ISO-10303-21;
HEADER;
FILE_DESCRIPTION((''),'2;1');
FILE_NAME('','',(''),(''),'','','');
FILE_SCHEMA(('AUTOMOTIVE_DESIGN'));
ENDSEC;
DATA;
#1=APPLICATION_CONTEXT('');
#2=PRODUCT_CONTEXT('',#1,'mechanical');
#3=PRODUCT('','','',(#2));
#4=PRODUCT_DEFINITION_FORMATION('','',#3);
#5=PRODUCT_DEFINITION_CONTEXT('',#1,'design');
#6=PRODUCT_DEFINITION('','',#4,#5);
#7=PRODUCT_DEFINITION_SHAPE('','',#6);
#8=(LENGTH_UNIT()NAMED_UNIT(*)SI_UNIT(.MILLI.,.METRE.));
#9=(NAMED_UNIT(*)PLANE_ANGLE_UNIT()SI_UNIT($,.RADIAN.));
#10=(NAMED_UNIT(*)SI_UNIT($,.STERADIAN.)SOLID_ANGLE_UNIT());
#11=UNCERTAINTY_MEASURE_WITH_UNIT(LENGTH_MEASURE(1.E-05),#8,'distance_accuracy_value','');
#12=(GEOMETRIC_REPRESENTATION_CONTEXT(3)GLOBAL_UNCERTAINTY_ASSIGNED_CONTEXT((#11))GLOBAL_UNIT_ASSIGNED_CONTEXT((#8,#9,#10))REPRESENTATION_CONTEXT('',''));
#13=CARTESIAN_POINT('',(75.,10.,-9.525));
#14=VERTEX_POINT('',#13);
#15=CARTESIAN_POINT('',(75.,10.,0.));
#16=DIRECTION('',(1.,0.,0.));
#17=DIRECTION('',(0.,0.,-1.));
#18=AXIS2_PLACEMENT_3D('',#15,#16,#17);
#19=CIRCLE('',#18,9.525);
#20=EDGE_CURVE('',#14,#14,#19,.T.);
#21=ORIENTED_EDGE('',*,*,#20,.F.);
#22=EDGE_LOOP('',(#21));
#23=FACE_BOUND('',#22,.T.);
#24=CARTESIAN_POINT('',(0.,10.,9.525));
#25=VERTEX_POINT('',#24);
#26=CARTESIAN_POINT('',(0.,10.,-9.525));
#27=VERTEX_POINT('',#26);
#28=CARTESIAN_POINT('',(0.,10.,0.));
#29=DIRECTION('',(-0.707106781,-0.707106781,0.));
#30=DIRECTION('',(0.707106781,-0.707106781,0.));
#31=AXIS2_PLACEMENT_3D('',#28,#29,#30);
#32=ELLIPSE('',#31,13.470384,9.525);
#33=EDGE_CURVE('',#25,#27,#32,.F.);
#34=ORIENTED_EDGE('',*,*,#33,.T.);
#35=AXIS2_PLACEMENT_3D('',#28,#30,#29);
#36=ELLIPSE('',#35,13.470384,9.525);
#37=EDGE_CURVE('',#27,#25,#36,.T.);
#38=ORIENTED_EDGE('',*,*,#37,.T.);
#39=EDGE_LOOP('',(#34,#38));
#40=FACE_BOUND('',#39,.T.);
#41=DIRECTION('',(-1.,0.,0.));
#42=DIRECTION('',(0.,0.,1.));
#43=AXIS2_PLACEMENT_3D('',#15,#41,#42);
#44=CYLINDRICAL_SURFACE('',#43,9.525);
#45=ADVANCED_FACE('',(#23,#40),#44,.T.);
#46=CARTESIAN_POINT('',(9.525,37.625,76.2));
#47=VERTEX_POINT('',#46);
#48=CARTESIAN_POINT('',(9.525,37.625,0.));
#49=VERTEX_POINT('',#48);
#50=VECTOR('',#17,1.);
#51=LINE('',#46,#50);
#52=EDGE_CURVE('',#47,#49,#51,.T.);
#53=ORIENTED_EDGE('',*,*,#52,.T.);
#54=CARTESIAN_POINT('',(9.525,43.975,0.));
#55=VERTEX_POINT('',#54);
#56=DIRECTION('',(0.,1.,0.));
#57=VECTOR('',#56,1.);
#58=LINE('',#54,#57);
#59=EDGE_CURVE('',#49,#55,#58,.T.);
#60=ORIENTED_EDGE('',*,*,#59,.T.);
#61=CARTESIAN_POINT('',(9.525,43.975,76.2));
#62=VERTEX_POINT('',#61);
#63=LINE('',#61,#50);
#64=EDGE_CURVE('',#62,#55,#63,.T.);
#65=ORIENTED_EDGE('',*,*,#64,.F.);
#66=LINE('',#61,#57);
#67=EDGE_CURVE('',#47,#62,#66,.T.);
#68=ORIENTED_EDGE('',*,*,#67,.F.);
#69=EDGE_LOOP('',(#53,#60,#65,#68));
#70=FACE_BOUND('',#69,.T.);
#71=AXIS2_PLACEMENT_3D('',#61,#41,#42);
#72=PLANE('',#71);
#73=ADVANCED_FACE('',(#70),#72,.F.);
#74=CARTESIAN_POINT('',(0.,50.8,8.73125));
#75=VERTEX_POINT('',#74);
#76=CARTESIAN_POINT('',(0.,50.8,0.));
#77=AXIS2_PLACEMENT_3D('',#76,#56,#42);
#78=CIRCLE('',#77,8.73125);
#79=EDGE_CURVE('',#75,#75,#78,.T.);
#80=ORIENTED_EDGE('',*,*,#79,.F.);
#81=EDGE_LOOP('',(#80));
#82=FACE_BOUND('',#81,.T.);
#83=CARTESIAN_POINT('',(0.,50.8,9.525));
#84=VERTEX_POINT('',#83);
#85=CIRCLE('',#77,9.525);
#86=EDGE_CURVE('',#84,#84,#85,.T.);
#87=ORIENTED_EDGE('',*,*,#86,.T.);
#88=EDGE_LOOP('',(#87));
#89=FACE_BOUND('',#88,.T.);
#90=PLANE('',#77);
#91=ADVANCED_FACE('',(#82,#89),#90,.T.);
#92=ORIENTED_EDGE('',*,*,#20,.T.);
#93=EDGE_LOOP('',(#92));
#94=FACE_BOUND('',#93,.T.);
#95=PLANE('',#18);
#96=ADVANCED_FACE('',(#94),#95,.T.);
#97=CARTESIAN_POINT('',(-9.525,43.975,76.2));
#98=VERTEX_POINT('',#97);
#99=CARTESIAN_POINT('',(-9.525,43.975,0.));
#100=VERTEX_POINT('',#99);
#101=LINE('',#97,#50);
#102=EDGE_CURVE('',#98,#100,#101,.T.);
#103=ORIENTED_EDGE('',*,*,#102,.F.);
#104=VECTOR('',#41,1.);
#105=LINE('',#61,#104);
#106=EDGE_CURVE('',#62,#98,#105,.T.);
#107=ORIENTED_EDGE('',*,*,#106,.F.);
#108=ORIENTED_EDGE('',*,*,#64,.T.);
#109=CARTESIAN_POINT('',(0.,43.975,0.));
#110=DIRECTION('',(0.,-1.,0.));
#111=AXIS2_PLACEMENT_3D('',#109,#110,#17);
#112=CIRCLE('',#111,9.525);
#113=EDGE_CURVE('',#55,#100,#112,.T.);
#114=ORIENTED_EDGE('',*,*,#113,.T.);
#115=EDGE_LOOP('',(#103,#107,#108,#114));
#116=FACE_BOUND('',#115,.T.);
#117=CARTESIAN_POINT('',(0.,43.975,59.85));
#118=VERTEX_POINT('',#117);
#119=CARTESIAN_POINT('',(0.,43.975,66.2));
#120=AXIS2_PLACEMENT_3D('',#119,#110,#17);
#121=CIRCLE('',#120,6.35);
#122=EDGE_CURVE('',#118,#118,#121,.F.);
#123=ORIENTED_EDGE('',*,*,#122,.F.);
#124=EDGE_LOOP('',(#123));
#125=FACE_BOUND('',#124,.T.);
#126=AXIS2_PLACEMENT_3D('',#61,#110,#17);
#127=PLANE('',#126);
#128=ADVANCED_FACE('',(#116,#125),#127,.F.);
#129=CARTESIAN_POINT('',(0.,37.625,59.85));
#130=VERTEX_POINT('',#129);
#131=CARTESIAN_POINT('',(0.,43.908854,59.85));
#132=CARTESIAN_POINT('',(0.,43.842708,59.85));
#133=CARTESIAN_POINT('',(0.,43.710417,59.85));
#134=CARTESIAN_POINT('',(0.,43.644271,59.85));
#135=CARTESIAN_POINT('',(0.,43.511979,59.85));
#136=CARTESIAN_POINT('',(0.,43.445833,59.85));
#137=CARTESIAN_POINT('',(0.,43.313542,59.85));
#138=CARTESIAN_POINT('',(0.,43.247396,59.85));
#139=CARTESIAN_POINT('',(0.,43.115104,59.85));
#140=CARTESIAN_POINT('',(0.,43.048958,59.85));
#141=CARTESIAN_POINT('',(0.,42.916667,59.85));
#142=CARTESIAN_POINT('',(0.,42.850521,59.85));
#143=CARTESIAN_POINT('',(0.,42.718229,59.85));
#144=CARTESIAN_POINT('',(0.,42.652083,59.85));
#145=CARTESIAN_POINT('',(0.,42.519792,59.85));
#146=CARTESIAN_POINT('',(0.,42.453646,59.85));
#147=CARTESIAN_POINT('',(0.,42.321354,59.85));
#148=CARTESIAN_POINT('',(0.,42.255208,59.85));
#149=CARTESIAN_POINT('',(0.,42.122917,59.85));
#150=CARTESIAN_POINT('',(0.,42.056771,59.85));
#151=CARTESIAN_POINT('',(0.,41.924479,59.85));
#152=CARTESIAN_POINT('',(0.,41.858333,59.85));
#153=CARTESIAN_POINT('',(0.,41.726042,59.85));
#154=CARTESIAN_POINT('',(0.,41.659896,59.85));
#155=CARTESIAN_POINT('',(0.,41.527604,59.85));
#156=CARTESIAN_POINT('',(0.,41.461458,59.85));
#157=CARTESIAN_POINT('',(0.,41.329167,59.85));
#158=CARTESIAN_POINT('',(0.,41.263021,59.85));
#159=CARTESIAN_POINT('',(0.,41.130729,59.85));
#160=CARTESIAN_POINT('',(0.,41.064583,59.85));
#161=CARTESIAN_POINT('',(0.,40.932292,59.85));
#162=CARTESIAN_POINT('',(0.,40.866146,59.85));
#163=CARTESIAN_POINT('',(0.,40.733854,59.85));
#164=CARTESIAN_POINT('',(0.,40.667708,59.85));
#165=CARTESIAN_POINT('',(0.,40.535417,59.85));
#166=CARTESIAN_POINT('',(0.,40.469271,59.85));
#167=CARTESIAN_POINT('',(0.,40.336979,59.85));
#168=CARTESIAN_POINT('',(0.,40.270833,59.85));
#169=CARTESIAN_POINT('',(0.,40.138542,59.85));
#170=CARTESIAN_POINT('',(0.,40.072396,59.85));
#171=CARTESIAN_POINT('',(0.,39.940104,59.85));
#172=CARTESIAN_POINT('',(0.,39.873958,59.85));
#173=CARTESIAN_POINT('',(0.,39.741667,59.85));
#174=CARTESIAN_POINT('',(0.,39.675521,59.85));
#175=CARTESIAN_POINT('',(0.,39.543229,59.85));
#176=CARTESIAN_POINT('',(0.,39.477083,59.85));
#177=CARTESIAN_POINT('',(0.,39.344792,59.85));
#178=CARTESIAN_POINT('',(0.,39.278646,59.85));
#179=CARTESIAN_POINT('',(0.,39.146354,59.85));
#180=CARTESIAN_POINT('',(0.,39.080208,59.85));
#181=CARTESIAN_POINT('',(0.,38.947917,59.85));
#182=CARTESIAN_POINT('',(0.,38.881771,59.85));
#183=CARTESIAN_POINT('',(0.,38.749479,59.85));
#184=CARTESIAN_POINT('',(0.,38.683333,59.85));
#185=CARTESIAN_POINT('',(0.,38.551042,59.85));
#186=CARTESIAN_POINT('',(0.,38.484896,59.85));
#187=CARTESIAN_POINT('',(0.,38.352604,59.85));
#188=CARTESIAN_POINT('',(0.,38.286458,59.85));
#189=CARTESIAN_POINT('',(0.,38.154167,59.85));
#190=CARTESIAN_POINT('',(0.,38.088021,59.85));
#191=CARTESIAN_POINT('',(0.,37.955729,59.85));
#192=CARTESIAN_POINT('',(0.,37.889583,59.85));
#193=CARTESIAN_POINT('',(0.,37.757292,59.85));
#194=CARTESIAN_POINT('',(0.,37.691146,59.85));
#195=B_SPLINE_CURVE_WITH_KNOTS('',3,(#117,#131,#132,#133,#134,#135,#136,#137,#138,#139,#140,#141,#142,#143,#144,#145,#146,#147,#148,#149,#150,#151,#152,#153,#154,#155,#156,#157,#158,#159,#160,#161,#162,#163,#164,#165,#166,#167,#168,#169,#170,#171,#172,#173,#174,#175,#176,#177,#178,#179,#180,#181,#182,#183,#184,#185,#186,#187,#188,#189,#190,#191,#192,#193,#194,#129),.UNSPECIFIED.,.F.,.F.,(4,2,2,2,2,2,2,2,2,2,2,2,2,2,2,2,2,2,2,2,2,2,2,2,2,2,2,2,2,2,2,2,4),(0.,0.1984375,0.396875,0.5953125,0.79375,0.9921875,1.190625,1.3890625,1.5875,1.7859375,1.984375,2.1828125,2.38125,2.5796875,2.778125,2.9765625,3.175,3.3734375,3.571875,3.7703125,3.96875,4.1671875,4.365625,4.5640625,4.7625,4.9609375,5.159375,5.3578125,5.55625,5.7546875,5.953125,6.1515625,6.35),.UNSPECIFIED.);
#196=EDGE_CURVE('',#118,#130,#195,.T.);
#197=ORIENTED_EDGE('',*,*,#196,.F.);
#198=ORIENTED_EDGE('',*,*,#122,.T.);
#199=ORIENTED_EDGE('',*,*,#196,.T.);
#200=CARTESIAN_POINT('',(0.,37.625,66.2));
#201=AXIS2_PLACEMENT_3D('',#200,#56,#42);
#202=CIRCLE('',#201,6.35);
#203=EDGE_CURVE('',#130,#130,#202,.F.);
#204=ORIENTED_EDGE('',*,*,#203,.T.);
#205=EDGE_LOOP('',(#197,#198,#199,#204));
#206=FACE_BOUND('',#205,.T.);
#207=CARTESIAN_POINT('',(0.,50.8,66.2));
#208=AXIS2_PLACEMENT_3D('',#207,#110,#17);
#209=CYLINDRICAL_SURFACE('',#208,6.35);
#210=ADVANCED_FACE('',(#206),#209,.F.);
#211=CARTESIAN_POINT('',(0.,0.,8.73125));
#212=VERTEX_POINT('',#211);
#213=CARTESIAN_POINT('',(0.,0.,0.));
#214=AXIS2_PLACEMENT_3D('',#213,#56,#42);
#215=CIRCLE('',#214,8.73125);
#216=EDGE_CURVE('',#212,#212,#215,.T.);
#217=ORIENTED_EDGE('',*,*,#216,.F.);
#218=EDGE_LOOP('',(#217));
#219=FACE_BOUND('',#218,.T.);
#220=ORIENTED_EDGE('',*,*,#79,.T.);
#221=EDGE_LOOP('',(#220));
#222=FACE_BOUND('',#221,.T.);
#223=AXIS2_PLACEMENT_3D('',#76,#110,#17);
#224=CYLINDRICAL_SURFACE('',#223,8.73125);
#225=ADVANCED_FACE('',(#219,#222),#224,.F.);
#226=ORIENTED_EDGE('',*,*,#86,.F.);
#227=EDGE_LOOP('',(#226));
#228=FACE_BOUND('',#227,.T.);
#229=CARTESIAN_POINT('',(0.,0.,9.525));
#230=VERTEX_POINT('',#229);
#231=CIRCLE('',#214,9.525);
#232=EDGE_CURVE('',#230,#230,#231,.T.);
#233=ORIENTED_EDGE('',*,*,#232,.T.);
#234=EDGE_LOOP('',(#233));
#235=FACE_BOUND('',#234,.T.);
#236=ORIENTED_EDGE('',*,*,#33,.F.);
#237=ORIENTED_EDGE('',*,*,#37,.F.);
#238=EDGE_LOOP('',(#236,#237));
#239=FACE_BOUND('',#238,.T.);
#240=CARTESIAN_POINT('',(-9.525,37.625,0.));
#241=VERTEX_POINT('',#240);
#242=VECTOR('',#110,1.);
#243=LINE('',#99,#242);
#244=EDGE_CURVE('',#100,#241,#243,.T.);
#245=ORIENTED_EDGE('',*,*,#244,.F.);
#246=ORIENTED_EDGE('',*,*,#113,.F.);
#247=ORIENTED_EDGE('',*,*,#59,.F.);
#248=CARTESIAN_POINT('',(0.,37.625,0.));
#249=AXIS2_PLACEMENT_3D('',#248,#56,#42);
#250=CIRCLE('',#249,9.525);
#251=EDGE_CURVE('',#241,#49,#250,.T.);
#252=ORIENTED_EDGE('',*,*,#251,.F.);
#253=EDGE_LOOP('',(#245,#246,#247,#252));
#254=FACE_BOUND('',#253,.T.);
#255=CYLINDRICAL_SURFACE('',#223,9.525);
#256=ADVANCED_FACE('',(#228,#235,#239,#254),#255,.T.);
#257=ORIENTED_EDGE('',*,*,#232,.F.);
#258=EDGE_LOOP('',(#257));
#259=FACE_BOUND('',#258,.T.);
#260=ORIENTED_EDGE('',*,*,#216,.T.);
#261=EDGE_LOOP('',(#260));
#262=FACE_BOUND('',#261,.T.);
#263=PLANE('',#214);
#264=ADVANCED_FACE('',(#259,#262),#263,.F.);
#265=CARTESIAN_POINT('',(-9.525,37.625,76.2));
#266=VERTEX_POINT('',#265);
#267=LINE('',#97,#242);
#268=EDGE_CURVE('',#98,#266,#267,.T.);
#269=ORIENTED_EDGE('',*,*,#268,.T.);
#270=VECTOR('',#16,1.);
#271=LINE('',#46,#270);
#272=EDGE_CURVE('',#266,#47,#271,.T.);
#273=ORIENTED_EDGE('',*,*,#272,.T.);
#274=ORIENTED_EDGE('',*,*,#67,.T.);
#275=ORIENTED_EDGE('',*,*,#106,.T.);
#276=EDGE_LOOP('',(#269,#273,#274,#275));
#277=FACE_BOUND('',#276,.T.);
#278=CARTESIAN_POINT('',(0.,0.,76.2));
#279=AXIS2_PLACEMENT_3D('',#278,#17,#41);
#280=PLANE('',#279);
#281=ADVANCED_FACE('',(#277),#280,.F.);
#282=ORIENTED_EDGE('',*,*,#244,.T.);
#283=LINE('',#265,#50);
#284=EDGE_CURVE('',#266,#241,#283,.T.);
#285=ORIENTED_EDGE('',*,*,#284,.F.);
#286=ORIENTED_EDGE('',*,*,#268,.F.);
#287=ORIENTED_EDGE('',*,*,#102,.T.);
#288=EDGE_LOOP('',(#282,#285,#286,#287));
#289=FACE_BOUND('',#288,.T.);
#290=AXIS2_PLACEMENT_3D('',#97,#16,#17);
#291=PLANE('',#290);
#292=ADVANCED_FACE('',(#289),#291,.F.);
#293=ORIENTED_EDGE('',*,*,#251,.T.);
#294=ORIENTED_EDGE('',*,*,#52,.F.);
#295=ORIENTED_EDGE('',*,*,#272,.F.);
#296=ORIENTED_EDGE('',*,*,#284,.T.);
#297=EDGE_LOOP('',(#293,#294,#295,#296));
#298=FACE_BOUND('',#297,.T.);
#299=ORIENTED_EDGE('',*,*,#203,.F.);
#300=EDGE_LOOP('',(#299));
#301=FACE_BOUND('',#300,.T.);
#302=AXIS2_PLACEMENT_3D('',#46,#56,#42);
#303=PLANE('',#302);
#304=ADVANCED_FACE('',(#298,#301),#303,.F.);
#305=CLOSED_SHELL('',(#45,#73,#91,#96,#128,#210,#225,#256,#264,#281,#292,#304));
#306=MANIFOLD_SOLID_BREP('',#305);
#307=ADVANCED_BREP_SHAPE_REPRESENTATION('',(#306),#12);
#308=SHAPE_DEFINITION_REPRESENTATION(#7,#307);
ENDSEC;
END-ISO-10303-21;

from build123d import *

# Parameters (mm, degrees)
SKETCH1_R          = 9.525
SLEEVE_DEPTH       = 50.8
SKETCH2_W          = 19.05
SKETCH2_H          = 6.35
BRACKET_DEPTH      = 76.2
SKETCH4_R          = 6.35
BRACKET_HOLE_DEPTH = 93.075
SKETCH5_R          = 9.525
SHAFT_DEPTH        = 75
SKETCH6_R          = 8.73125
SLEEVE_HOLE_DEPTH  = 119.372631972


with BuildPart() as part:
    # Sketch1 → Sleeve (new body)
    with BuildSketch(Plane(origin=(0, 0, 0), x_dir=(1, 0, 0), z_dir=(0, 1, 0))):
        with Locations(Location((0, 0, 0), (0, 0, 270))):
            Circle(SKETCH1_R)
    extrude(amount=SLEEVE_DEPTH)

    # Sketch2 → Bracket (add)
    with BuildSketch(Plane.XY):
        with Locations((0, 40.8)):
            Rectangle(SKETCH2_W, SKETCH2_H)
    extrude(amount=BRACKET_DEPTH)

    # Sketch4 → Bracket Hole (cut, through all)
    with BuildSketch(Plane(origin=(0, 0, 0), x_dir=(1, 0, 0), z_dir=(0, 1, 0))):
        with Locations(Location((0, -66.2, 0), (0, 0, 90))):
            Circle(SKETCH4_R)
    extrude(amount=BRACKET_HOLE_DEPTH, mode=Mode.SUBTRACT)

    # Sketch5 → Shaft (add)
    with BuildSketch(Plane(origin=(0, 0, 0), x_dir=(0, 0, -1), z_dir=(1, 0, 0))):
        with Locations((0, 10)):
            Circle(SKETCH5_R)
    extrude(amount=SHAFT_DEPTH)

    # Sketch6 → Sleeve Hole (cut, through all)
    with BuildSketch(Plane(origin=(0, 0, 0), x_dir=(1, 0, 0), z_dir=(0, 1, 0))):
        with Locations(Location((0, 0, 0), (0, 0, 270))):
            Circle(SKETCH6_R)
    extrude(amount=SLEEVE_HOLE_DEPTH, mode=Mode.SUBTRACT)


solid = part.part
